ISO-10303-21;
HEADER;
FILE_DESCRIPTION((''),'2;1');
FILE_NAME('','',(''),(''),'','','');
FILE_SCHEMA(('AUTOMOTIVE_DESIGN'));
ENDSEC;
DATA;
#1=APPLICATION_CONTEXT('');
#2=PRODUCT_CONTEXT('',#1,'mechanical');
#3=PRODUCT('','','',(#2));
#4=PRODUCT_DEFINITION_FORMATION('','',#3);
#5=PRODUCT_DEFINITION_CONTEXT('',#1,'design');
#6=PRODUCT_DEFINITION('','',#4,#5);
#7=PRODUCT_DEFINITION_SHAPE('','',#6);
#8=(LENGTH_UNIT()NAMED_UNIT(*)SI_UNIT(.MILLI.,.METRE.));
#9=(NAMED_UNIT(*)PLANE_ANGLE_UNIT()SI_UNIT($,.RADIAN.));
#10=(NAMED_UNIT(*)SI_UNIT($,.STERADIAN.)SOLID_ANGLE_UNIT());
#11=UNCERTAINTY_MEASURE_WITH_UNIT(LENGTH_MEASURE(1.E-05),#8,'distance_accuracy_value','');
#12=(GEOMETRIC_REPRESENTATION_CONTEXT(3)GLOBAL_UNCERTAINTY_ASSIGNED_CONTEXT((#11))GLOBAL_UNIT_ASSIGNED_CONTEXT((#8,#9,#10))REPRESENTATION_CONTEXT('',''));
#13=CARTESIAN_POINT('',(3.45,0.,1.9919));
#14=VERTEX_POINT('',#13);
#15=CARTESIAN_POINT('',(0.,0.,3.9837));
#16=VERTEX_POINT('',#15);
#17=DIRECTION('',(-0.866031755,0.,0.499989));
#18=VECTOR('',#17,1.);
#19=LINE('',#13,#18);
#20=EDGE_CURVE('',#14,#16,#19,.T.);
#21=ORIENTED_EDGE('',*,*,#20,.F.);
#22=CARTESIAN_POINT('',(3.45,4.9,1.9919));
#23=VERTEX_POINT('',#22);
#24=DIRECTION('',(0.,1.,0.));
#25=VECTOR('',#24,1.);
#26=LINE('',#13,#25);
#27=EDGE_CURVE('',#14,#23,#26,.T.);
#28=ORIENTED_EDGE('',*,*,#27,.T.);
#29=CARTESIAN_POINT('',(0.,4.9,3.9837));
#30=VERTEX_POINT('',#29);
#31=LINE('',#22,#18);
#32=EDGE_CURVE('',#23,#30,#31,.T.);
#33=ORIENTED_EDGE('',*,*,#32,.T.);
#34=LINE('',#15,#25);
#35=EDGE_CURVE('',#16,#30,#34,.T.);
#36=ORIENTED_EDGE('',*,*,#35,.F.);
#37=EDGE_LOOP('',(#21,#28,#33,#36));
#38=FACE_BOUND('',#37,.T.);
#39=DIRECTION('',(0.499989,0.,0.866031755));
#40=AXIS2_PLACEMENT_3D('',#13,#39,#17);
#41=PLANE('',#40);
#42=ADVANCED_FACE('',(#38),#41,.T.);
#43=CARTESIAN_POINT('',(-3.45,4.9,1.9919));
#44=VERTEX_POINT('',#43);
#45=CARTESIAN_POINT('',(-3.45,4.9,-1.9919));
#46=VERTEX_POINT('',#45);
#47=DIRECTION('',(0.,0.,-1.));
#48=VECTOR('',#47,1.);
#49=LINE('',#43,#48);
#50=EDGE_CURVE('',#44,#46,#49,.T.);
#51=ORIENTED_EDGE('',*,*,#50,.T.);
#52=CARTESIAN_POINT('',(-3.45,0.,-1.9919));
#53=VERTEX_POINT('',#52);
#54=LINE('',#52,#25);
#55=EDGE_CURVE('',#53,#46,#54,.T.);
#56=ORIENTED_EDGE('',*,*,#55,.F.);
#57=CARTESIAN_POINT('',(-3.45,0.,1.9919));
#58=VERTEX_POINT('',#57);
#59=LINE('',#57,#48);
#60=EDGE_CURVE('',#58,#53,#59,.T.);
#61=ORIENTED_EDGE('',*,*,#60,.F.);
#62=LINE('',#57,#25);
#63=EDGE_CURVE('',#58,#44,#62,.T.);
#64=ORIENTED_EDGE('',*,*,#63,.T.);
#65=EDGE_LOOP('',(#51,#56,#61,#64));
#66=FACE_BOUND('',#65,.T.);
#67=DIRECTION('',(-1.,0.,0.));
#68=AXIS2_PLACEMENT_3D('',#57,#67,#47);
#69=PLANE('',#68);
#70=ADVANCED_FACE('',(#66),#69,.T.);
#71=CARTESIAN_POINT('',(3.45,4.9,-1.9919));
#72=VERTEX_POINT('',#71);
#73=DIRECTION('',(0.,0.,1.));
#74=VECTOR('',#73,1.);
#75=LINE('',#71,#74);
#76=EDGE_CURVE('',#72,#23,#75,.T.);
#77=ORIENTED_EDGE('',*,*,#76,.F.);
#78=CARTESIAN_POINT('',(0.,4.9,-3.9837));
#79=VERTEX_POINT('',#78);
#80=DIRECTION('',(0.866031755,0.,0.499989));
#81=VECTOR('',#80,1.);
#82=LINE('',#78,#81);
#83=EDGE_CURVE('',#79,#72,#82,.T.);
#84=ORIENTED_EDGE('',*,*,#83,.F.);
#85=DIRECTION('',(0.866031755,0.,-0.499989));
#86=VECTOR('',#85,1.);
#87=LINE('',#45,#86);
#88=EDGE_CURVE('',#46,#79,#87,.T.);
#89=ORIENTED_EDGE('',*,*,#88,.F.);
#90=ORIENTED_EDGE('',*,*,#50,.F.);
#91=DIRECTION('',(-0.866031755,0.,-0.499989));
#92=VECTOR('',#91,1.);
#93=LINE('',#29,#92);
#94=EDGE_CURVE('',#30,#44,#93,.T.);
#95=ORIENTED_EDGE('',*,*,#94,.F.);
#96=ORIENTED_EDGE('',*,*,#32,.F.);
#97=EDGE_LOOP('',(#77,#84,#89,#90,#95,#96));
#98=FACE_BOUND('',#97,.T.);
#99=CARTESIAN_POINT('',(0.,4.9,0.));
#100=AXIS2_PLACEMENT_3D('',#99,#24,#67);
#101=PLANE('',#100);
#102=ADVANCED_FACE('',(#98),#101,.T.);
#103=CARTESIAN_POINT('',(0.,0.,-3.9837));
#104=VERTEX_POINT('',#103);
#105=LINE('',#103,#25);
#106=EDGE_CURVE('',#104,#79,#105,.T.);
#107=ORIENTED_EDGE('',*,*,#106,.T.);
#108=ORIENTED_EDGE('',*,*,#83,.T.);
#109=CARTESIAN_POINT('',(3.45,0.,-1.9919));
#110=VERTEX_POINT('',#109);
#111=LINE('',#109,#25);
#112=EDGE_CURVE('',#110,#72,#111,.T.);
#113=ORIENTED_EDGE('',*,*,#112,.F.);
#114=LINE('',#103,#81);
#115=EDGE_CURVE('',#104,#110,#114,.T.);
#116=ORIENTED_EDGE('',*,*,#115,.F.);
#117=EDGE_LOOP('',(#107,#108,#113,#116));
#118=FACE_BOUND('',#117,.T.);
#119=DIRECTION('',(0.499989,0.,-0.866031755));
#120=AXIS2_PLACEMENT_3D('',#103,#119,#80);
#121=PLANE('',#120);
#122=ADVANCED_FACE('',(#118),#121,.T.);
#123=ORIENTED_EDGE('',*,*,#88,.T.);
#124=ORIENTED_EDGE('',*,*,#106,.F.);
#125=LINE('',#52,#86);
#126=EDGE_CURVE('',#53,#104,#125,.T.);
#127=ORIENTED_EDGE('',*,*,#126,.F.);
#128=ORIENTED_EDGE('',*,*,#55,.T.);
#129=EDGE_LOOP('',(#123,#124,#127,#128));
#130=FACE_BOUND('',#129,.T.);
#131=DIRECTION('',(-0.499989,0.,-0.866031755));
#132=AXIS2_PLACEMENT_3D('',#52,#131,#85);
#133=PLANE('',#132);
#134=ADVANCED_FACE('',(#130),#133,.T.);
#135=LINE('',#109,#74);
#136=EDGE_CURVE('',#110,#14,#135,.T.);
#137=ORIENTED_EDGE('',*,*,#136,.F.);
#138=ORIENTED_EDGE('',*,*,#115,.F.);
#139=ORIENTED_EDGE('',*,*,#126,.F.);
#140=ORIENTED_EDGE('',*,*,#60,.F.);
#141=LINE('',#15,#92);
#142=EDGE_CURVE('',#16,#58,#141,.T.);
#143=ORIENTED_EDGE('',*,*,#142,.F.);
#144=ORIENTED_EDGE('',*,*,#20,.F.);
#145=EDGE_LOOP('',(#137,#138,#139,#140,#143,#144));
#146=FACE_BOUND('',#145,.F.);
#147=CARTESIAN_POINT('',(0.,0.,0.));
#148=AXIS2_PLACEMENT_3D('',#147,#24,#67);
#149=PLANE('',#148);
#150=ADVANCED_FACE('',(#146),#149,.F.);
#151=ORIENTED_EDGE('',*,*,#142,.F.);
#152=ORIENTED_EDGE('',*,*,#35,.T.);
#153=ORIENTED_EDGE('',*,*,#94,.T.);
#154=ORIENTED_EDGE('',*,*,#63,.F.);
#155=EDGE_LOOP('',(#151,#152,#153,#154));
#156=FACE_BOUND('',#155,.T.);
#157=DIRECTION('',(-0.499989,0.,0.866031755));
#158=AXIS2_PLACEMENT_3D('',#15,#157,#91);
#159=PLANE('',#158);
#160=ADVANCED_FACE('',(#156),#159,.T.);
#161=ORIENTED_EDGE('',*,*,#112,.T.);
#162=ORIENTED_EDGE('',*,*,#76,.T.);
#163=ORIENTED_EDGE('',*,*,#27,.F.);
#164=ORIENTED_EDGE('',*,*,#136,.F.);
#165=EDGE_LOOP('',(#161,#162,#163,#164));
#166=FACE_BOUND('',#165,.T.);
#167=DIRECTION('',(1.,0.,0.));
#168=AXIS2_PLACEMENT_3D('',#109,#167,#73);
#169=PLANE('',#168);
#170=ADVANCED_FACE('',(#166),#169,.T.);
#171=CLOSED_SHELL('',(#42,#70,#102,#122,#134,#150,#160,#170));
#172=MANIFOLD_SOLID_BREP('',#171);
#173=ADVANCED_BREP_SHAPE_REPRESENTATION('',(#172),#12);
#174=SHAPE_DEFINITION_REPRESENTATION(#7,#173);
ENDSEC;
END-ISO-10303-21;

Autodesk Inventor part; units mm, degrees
ref_plane "YZ Plane" through (0, 0, 0) normal (1, 0, 0) x (0, 1, 0)
ref_plane "XZ Plane" through (0, 0, 0) normal (0, 1, 0) x (-1, 0, 0)
ref_plane "XY Plane" through (0, 0, 0) normal (0, 0, 1) x (1, 0, 0)
sketch "Sketch1" plane through (0, 0, 0) normal (0, 1, 0) x (-1, 0, 0)
  line L0 (0, -3.9837) -> (-3.45, -1.9919)
  line L1 (-3.45, -1.9919) -> (-3.45, 1.9919)
  line L2 (-3.45, 1.9919) -> (0, 3.9837)
  line L3 (0, 3.9837) -> (3.45, 1.9919)
  line L4 (3.45, 1.9919) -> (3.45, -1.9919)
  line L5 (3.45, -1.9919) -> (0, -3.9837)
  point P0 (0, 0)
  point P1 (0, 0)
  dimension "d0" = 6.9
extrude "Extrusion1" add sketch "Sketch1" along normal blind 4.9
properties part number "M4_lock_nut"
